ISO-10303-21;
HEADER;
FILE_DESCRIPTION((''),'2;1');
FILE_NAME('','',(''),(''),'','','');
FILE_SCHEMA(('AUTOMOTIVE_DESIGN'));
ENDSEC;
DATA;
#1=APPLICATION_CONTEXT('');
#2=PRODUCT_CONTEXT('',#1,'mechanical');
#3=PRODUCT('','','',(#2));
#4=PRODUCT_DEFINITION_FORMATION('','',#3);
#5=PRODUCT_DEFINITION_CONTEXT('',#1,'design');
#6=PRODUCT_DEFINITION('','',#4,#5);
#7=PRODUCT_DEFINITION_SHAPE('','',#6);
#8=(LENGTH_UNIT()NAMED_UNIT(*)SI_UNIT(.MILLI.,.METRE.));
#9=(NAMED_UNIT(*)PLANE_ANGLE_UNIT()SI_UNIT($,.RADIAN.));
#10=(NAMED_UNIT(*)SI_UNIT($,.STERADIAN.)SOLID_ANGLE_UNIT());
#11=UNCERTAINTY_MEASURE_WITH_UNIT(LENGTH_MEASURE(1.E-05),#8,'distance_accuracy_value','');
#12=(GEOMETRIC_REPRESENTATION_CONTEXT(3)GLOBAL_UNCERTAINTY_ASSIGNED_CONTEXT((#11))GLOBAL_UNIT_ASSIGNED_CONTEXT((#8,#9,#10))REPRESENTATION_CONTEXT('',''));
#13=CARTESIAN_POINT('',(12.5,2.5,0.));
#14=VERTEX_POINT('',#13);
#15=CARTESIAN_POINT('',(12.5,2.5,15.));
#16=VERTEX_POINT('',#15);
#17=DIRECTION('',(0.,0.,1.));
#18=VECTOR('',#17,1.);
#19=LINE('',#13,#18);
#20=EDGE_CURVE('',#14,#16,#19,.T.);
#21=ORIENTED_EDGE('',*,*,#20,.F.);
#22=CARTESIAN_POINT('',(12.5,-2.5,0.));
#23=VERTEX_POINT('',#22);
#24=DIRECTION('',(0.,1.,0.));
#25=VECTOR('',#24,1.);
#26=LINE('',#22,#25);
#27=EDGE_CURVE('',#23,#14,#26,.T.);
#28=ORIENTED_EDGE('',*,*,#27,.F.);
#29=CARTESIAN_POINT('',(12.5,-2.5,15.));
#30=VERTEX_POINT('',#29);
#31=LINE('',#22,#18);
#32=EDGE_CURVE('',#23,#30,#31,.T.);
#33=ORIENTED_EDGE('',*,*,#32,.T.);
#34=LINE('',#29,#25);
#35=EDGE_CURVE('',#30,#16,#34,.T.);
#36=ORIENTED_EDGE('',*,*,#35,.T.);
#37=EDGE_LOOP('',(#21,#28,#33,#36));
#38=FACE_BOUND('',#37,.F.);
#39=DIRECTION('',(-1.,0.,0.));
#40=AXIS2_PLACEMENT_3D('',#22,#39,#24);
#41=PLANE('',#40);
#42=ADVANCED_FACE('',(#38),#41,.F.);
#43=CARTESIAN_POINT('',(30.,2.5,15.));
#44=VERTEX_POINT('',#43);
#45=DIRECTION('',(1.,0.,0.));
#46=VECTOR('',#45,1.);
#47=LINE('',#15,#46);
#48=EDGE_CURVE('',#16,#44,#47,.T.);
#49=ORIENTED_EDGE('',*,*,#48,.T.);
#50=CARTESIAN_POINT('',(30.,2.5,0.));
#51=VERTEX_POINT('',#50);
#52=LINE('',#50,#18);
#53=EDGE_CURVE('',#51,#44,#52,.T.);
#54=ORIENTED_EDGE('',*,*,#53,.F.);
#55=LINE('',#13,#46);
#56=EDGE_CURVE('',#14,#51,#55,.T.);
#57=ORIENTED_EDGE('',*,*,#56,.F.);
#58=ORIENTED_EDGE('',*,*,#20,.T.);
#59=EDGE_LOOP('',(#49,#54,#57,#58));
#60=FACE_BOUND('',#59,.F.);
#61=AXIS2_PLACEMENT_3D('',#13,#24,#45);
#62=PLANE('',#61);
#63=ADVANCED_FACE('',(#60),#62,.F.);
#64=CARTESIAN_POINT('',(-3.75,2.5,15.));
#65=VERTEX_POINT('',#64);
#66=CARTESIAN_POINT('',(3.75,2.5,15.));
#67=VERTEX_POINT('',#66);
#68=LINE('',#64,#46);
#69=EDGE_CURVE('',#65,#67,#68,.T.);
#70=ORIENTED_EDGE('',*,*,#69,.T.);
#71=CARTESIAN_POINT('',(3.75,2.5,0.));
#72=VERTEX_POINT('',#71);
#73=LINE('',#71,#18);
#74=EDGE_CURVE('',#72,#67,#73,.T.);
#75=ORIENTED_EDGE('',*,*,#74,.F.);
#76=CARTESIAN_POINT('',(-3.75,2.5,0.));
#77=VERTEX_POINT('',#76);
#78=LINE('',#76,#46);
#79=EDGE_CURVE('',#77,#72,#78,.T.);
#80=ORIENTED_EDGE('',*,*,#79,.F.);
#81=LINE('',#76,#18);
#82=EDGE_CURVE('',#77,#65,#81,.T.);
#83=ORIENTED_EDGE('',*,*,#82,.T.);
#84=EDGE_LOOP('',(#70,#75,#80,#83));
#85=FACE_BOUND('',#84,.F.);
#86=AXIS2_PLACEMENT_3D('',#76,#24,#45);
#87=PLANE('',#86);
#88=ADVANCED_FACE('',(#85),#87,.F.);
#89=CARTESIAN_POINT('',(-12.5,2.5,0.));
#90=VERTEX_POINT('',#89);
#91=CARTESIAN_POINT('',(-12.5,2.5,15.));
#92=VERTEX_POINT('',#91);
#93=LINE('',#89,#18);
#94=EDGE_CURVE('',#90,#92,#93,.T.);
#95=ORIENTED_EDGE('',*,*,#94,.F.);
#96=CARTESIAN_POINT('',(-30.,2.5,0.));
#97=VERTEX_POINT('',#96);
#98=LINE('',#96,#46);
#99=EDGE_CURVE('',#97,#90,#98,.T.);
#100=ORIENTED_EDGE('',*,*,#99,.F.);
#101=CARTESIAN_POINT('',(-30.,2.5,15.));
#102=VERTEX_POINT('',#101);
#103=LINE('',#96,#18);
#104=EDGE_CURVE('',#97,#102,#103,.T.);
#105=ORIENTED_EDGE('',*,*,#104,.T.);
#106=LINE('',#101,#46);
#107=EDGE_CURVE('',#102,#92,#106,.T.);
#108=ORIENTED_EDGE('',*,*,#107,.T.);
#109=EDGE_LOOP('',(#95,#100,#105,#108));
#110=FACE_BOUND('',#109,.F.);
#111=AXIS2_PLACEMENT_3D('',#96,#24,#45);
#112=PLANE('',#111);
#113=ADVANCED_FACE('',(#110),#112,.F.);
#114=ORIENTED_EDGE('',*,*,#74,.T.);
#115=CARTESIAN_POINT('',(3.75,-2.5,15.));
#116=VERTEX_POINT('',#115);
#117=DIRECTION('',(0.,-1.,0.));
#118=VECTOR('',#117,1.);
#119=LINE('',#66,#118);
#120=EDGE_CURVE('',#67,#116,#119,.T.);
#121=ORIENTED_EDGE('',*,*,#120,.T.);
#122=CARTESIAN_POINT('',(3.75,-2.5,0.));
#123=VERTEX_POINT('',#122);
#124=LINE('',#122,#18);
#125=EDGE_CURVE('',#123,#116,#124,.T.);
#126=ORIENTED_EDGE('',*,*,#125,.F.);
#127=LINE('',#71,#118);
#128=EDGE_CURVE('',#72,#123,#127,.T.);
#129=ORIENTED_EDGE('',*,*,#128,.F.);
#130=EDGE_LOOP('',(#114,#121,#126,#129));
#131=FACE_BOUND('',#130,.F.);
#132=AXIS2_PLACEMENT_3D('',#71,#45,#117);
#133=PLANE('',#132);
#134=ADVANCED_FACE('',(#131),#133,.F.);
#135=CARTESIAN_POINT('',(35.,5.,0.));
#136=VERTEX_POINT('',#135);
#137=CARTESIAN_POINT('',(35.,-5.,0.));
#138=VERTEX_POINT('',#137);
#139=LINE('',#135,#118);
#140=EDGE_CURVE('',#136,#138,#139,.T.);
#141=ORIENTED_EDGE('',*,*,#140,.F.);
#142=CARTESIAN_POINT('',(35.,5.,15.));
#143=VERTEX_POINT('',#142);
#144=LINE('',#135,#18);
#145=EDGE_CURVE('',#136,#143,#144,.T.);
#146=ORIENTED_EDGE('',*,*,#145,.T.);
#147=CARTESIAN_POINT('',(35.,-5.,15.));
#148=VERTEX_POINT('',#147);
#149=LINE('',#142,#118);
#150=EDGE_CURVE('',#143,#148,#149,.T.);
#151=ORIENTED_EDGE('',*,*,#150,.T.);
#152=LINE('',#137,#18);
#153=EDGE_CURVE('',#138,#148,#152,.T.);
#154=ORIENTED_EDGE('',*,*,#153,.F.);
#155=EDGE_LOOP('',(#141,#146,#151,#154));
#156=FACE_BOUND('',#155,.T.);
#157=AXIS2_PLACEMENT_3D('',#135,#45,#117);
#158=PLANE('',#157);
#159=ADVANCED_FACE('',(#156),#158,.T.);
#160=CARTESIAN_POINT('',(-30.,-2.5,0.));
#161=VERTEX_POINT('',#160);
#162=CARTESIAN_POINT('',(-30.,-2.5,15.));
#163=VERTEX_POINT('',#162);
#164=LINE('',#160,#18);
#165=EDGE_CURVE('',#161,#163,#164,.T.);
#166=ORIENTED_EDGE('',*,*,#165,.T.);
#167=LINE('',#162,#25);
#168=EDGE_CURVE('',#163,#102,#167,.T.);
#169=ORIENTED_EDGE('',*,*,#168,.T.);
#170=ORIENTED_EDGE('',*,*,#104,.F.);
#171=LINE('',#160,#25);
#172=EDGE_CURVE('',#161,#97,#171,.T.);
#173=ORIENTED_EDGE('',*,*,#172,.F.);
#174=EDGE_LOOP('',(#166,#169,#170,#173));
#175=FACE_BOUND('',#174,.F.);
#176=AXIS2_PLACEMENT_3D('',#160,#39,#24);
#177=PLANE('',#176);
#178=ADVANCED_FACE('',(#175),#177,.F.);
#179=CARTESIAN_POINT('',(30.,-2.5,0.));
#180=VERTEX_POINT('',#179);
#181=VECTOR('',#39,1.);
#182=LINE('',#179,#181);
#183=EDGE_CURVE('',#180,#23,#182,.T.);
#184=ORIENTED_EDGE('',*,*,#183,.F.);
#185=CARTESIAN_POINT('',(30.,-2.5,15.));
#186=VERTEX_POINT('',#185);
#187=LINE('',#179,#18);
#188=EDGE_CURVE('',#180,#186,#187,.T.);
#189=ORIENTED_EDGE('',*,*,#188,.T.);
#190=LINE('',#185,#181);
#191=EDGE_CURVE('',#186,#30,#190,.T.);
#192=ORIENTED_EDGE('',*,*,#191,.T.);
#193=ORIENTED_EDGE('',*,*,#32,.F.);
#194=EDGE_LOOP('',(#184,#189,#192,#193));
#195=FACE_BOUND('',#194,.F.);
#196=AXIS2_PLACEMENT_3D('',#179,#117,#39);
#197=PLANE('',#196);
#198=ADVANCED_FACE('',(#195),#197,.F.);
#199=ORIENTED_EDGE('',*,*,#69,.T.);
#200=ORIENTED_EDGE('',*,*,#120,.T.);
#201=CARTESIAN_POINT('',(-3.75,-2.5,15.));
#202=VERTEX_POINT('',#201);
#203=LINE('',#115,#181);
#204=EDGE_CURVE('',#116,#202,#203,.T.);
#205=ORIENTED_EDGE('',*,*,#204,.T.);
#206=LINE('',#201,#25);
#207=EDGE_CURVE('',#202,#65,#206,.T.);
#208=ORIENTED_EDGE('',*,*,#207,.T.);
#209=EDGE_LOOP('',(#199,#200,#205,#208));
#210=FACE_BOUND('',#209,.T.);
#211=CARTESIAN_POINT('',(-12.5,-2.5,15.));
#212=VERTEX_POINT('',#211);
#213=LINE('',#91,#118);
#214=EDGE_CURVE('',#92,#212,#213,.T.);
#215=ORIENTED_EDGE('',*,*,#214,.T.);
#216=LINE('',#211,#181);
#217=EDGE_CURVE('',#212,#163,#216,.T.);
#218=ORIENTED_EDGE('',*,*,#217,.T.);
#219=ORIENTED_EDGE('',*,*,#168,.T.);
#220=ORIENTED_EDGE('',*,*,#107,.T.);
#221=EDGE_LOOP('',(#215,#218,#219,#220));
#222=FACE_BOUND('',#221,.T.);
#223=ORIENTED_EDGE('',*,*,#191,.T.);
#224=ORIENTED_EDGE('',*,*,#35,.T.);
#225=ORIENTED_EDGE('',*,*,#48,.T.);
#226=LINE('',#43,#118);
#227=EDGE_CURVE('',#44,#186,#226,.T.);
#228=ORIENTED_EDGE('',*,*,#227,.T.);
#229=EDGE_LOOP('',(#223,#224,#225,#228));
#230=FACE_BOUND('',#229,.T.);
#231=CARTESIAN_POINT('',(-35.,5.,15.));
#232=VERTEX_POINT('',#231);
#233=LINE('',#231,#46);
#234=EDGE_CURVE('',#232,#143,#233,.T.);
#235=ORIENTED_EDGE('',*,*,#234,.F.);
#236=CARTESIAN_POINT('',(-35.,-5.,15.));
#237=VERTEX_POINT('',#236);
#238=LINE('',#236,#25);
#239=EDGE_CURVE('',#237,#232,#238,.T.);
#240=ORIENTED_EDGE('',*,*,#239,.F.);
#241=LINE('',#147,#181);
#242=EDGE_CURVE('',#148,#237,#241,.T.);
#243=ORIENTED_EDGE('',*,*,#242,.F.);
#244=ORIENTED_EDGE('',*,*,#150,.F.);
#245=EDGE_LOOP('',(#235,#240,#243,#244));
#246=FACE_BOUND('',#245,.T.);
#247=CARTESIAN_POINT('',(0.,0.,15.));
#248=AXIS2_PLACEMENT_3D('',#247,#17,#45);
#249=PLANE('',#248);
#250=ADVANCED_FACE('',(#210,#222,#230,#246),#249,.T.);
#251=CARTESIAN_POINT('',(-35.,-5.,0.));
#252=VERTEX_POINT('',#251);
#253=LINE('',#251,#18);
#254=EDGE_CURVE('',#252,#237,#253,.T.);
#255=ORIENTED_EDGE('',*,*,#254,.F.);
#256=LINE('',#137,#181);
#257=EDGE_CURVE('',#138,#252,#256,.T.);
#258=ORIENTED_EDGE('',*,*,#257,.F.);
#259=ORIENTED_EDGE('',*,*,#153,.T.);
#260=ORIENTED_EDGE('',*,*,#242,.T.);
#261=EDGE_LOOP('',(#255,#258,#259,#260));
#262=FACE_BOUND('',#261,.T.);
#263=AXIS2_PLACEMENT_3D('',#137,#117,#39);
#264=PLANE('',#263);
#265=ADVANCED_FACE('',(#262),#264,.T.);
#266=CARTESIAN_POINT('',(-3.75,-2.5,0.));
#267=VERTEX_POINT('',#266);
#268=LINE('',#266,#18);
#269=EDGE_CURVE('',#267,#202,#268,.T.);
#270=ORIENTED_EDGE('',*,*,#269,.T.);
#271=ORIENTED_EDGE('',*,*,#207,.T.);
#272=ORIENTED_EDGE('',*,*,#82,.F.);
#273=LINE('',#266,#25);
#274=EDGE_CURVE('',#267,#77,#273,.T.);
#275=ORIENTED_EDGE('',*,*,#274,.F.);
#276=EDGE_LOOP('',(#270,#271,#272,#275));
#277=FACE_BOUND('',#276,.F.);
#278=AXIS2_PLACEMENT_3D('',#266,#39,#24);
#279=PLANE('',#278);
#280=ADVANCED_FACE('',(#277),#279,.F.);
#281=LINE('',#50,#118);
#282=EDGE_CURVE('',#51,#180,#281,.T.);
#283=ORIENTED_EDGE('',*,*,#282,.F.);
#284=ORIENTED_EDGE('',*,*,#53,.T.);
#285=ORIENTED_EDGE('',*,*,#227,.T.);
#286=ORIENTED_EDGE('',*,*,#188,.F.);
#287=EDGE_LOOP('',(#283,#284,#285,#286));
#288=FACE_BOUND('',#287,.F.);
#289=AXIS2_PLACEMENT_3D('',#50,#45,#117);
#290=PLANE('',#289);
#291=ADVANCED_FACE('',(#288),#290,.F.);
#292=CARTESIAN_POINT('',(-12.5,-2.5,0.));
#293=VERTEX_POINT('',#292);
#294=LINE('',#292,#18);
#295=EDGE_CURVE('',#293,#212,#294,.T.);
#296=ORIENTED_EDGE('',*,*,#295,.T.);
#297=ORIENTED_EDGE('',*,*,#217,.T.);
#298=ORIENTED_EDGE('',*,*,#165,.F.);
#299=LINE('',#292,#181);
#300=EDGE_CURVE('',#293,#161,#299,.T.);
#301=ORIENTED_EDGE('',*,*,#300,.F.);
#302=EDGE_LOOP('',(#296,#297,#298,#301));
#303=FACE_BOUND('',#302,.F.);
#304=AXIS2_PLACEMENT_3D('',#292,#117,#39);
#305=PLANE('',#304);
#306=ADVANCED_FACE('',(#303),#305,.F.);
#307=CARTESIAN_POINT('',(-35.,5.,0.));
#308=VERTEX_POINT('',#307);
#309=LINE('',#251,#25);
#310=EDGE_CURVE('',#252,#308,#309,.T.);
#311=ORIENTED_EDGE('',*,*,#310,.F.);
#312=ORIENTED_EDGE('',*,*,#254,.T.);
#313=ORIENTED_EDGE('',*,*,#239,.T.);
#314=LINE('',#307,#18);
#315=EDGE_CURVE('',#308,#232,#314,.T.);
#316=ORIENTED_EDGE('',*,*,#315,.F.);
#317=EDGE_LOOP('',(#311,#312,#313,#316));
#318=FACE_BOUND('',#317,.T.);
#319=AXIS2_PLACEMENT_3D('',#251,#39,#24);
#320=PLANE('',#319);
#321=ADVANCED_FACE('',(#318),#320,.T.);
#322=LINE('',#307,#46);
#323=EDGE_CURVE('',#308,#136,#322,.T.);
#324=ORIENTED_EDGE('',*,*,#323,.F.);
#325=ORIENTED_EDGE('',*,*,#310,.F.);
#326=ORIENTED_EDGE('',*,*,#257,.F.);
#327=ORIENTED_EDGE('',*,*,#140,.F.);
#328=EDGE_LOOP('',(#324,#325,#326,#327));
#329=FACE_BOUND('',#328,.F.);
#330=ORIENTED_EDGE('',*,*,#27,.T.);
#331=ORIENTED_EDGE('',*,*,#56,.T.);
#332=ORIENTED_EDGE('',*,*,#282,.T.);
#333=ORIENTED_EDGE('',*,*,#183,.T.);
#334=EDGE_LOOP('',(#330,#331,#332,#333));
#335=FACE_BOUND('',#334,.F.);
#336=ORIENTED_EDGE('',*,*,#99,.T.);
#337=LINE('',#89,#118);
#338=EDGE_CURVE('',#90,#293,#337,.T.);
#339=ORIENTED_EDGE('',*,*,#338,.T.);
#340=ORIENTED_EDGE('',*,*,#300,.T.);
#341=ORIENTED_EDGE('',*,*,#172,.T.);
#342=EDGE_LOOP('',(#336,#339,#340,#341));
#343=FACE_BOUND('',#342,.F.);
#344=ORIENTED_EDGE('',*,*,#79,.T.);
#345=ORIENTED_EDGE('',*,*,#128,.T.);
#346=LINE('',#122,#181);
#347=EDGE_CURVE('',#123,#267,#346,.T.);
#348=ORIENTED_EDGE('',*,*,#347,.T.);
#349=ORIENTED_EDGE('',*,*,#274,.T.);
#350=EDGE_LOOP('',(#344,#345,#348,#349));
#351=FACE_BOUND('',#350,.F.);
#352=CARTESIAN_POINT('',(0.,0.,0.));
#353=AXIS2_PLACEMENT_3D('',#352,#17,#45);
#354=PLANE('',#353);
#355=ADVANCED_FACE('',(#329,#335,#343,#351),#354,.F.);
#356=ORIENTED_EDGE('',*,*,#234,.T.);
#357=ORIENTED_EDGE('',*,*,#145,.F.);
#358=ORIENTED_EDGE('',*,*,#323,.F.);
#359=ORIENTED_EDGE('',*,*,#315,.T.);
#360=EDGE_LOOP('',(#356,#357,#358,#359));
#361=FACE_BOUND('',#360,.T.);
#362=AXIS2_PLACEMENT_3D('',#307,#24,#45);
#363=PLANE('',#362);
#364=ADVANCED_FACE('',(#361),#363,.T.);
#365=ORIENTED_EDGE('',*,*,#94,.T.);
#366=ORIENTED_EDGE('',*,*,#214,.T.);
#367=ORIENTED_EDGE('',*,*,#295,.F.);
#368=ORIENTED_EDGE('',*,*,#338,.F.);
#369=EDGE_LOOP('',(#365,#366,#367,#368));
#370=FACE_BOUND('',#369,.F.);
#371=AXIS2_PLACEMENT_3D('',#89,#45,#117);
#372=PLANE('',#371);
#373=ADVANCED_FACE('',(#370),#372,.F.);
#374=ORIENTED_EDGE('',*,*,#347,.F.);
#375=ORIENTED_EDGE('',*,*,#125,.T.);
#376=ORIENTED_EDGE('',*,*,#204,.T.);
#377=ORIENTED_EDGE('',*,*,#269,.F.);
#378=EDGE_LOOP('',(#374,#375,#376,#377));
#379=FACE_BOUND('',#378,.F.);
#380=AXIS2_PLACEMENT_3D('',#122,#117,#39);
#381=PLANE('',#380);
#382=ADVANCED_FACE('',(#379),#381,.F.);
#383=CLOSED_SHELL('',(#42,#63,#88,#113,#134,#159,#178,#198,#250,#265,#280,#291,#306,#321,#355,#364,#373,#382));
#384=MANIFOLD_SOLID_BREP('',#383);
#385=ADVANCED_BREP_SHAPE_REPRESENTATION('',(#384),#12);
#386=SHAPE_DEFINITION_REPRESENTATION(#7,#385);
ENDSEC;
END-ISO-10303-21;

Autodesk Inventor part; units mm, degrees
ref_plane "YZ Plane" through (0, 0, 0) normal (1, 0, 0) x (0, 1, 0)
ref_plane "XZ Plane" through (0, 0, 0) normal (0, 1, 0) x (-1, 0, 0)
ref_plane "XY Plane" through (0, 0, 0) normal (0, 0, 1) x (1, 0, 0)
sketch "Sketch1" plane through (0, 0, 0) normal (0, 0, 1) x (1, 0, 0)
  line L0 (-35, 5) -> (35, 5)
  line L1 (35, 5) -> (35, -5)
  line L2 (35, -5) -> (-35, -5)
  line L3 (-35, -5) -> (-35, 5)
  line L4 (-30, 2.5) -> (-12.5, 2.5)
  line L5 (-12.5, 2.5) -> (-12.5, -2.5)
  line L6 (-12.5, -2.5) -> (-30, -2.5)
  line L7 (-30, -2.5) -> (-30, 2.5)
  line L8 (12.5, 2.5) -> (30, 2.5)
  line L9 (30, 2.5) -> (30, -2.5)
  line L10 (30, -2.5) -> (12.5, -2.5)
  line L11 (12.5, -2.5) -> (12.5, 2.5)
  line L12 (-3.75, 2.5) -> (3.75, 2.5)
  line L13 (3.75, 2.5) -> (3.75, -2.5)
  line L14 (3.75, -2.5) -> (-3.75, -2.5)
  line L15 (-3.75, -2.5) -> (-3.75, 2.5)
  point P0 (0, 0)
  dimension "d0" = 70
  dimension "d1" = 5
  dimension "d2" = 10
  dimension "d3" = 35
  dimension "d5" = 5
  dimension "d6" = 5
  dimension "d7" = 5
  dimension "d8" = 17.5
  dimension "d9" = 17.5
  dimension "d10" = 2.5
  dimension "d13" = 7.5
  dimension "d14" = 5
  dimension "d15" = 3.75
  dimension "d16" = 2.5
extrude "Extrusion1" add sketch "Sketch1" along normal blind 15
properties part number "Fixture"
